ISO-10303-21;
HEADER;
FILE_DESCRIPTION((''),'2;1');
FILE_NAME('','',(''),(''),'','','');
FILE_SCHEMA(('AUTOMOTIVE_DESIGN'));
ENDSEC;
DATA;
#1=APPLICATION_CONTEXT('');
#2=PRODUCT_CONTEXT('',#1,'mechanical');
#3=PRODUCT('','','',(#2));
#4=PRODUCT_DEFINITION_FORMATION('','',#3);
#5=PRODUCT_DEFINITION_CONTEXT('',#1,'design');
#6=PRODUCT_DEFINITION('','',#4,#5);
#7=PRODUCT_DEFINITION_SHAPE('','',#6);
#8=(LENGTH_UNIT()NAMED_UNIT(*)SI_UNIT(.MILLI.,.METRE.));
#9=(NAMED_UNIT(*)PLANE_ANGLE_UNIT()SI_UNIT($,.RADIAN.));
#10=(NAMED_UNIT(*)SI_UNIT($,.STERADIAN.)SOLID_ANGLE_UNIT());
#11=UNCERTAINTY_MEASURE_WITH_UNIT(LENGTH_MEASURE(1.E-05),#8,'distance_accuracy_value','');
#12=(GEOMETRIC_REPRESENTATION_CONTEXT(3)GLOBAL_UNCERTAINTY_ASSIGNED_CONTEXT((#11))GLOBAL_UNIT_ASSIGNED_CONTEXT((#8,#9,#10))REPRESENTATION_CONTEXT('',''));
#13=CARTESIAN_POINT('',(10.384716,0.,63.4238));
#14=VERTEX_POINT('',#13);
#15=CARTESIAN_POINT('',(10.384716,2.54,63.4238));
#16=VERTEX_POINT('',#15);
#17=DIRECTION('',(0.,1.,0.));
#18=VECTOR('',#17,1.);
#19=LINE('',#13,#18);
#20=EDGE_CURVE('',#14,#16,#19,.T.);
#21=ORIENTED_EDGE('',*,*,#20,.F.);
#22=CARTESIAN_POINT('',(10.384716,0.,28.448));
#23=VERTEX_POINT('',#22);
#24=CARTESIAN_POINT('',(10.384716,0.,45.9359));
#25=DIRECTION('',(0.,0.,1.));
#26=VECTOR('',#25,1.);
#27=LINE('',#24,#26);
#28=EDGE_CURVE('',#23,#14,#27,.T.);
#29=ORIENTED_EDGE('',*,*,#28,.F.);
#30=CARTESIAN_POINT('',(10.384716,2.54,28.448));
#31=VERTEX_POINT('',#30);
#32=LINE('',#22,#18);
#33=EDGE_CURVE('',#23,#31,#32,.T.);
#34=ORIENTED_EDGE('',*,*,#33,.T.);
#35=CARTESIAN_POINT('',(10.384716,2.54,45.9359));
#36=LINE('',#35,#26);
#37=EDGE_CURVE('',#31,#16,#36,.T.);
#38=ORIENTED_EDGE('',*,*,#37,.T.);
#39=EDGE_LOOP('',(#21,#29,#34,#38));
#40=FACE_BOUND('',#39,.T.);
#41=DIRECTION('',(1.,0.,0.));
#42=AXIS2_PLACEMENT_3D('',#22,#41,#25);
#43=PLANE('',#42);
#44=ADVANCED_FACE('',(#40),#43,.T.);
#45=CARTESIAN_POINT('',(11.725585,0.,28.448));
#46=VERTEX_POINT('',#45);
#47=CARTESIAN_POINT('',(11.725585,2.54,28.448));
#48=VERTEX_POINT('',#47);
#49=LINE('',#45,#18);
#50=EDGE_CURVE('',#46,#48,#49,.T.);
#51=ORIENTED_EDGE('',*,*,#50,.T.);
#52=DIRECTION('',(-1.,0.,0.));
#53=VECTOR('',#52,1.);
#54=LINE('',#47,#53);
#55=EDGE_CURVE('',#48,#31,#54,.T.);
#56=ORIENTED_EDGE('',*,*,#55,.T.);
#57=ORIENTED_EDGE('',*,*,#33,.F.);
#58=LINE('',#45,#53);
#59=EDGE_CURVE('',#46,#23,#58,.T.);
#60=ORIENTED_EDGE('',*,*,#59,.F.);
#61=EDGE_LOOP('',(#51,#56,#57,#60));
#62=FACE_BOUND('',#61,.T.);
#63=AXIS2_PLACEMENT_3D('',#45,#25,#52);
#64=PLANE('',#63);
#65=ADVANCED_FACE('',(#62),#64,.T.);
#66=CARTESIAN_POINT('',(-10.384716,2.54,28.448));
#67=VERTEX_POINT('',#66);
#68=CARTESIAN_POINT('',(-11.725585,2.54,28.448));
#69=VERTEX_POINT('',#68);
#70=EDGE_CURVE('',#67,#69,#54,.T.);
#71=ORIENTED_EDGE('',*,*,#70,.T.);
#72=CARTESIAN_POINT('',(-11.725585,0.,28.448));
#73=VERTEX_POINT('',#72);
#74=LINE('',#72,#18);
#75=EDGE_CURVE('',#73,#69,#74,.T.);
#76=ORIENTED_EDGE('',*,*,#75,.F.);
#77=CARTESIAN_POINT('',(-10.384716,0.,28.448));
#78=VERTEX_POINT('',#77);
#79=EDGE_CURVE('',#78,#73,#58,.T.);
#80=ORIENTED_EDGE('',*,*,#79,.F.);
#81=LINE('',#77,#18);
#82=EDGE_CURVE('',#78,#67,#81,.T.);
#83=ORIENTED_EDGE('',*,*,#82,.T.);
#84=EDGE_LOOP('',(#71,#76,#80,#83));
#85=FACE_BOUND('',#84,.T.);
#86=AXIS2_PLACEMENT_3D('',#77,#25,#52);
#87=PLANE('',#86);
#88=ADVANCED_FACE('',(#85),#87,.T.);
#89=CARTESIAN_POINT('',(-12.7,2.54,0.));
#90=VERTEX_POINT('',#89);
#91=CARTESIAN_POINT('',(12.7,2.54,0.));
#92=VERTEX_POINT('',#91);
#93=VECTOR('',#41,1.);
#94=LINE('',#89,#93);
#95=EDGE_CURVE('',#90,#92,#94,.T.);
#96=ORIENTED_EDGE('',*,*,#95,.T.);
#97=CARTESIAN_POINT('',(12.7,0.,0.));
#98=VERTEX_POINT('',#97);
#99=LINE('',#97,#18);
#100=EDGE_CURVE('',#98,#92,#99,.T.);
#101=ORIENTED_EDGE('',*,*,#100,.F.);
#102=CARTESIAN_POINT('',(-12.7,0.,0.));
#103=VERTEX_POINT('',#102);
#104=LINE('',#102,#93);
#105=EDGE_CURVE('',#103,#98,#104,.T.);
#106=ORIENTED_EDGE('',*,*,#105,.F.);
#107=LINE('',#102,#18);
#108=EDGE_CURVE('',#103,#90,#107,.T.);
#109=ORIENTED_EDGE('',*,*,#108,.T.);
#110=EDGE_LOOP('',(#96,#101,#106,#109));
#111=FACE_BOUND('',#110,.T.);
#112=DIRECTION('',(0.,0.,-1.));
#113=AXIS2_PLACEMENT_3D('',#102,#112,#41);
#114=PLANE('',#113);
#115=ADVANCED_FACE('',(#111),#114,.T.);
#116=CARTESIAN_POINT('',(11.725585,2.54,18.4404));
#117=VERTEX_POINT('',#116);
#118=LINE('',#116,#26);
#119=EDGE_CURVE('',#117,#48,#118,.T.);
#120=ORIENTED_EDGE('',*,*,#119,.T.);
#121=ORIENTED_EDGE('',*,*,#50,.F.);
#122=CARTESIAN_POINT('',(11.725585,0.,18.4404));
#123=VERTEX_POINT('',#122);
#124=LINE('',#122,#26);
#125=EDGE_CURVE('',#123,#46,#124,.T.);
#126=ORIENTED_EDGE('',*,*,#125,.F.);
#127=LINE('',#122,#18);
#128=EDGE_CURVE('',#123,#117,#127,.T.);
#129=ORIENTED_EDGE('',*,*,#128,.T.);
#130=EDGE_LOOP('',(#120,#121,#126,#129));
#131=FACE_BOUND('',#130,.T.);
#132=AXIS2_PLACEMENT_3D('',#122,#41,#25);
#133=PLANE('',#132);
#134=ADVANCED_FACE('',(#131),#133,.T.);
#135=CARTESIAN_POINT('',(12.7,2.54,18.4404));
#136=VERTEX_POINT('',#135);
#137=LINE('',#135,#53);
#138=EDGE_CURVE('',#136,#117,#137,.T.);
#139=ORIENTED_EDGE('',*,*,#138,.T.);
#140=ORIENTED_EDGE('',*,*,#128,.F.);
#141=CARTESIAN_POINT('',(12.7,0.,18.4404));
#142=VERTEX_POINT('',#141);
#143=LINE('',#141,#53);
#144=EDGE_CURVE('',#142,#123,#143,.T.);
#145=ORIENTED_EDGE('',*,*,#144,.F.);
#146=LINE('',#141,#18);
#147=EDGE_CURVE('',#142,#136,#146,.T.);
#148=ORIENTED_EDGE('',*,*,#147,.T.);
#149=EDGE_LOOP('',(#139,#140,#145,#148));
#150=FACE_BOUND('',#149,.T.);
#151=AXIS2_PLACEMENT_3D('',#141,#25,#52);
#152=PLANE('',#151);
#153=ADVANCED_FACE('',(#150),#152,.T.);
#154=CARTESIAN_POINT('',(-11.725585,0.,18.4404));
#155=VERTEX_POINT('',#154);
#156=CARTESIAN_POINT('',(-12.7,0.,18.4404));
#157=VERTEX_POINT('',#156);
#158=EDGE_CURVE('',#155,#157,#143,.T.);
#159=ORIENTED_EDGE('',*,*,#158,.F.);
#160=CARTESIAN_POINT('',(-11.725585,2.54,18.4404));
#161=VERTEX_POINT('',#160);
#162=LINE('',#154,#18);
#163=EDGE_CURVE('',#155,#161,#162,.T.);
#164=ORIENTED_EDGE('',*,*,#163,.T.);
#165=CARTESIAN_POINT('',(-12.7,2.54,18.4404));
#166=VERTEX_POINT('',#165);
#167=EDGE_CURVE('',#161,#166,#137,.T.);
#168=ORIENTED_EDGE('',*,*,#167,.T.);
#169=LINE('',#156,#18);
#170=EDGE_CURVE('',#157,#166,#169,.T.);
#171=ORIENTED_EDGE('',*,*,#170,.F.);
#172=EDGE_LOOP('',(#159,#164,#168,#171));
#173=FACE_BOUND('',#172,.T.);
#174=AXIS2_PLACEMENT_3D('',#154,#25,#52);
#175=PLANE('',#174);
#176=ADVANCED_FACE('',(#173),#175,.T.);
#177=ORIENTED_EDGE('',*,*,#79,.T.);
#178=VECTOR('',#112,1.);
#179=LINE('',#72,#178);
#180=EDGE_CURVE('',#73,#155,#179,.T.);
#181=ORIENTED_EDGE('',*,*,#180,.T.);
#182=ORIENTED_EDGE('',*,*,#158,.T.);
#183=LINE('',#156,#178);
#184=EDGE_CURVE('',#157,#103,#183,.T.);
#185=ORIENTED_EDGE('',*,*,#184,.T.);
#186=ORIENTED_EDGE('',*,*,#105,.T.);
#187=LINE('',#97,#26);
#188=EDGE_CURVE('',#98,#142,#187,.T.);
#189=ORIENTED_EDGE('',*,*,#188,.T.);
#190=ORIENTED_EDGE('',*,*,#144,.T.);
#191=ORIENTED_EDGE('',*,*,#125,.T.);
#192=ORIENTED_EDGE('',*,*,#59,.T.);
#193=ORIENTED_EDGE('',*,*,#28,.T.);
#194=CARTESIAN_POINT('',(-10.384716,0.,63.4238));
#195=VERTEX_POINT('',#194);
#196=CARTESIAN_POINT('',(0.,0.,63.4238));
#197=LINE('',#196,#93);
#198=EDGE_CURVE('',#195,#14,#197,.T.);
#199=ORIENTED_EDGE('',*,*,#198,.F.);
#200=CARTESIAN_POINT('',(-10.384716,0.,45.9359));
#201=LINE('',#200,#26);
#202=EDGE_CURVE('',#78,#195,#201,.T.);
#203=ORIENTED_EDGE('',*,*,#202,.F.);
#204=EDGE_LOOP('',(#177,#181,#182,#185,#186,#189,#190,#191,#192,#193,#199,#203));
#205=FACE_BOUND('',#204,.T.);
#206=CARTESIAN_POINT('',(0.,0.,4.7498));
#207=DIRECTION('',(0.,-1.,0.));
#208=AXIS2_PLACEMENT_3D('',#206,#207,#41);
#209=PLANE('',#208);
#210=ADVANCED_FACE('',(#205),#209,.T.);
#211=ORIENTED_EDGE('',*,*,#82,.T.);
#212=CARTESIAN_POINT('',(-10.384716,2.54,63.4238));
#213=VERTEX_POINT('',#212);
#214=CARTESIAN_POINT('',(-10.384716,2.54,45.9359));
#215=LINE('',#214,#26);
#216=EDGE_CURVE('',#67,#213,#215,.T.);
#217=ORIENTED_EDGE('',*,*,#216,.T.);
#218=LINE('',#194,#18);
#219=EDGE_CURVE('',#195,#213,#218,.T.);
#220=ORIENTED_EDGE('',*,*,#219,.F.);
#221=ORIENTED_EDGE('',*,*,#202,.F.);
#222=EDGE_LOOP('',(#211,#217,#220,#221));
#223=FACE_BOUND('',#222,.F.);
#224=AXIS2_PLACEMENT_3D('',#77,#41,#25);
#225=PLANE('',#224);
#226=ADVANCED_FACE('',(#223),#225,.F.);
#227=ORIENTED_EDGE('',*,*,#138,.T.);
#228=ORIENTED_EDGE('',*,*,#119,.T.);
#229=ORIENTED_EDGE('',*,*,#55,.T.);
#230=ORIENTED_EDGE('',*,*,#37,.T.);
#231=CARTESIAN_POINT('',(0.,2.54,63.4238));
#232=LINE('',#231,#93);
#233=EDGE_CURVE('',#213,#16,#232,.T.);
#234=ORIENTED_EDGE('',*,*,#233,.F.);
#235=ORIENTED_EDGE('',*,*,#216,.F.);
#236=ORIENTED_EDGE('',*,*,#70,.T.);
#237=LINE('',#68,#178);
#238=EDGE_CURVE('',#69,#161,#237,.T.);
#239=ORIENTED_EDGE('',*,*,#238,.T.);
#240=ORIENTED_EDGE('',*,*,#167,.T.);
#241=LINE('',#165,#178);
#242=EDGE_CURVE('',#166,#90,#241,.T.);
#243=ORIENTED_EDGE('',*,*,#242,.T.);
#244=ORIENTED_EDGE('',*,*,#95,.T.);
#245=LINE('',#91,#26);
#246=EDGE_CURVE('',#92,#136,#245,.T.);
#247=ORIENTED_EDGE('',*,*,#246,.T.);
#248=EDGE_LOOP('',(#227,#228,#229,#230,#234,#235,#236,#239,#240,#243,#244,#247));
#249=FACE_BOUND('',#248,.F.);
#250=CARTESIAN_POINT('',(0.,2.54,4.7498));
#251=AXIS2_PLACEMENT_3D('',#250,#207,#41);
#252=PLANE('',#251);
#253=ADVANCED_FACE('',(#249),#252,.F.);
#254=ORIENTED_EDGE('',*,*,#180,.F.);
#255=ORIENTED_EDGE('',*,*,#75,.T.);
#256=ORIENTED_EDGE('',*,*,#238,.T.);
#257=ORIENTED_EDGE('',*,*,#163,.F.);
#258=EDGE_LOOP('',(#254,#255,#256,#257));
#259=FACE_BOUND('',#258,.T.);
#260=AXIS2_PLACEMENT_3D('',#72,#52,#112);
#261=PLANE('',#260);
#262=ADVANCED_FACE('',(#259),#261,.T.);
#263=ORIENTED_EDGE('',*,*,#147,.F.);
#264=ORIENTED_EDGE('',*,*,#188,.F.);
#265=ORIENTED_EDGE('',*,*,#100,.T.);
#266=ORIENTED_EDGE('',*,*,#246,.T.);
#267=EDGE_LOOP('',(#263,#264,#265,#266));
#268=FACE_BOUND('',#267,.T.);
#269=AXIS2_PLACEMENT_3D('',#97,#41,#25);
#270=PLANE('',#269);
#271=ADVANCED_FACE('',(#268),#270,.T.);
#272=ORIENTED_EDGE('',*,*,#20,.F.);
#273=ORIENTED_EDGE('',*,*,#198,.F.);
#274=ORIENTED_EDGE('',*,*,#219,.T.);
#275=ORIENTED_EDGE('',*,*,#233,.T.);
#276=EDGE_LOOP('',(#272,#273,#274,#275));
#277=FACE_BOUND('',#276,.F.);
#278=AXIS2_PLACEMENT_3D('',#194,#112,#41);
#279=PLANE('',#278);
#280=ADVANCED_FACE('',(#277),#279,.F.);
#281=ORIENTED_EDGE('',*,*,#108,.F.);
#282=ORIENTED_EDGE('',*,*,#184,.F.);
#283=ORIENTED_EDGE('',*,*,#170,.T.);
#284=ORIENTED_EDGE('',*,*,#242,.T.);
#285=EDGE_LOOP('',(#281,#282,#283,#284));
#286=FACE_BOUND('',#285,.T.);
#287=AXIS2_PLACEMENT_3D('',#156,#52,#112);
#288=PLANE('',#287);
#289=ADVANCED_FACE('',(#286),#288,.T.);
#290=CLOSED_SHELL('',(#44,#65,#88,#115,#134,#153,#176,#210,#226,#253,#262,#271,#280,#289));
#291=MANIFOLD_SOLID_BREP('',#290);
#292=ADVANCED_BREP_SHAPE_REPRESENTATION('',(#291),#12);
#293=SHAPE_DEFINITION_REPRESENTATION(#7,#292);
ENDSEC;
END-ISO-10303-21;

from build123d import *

# Parameters (mm, degrees)
F0_W     = 20.769432
F0_H     = 34.9758
F1_DEPTH = 2.54


with BuildPart() as f1:
    # F0 (on Front) → F1 (new body)
    with BuildSketch(Plane.XZ):
        Polygon((-12.7, 0), (0, 0), (12.7, 0), (12.7, 9.4996), (-12.7, 9.4996), align=None)
        Polygon((-12.7, 18.4404), (-12.7, 9.4996), (12.7, 9.4996), (12.7, 18.4404), (11.725585, 18.4404), (-11.725585, 18.4404), align=None)
        Polygon((-11.725585, 28.448), (-11.725585, 18.4404), (11.725585, 18.4404), (11.725585, 28.448), (10.384716, 28.448), (-10.384716, 28.448), align=None)
        with Locations((0, 45.9359)):
            Rectangle(F0_W, F0_H)
    extrude(amount=-F1_DEPTH)


solid = f1.part
